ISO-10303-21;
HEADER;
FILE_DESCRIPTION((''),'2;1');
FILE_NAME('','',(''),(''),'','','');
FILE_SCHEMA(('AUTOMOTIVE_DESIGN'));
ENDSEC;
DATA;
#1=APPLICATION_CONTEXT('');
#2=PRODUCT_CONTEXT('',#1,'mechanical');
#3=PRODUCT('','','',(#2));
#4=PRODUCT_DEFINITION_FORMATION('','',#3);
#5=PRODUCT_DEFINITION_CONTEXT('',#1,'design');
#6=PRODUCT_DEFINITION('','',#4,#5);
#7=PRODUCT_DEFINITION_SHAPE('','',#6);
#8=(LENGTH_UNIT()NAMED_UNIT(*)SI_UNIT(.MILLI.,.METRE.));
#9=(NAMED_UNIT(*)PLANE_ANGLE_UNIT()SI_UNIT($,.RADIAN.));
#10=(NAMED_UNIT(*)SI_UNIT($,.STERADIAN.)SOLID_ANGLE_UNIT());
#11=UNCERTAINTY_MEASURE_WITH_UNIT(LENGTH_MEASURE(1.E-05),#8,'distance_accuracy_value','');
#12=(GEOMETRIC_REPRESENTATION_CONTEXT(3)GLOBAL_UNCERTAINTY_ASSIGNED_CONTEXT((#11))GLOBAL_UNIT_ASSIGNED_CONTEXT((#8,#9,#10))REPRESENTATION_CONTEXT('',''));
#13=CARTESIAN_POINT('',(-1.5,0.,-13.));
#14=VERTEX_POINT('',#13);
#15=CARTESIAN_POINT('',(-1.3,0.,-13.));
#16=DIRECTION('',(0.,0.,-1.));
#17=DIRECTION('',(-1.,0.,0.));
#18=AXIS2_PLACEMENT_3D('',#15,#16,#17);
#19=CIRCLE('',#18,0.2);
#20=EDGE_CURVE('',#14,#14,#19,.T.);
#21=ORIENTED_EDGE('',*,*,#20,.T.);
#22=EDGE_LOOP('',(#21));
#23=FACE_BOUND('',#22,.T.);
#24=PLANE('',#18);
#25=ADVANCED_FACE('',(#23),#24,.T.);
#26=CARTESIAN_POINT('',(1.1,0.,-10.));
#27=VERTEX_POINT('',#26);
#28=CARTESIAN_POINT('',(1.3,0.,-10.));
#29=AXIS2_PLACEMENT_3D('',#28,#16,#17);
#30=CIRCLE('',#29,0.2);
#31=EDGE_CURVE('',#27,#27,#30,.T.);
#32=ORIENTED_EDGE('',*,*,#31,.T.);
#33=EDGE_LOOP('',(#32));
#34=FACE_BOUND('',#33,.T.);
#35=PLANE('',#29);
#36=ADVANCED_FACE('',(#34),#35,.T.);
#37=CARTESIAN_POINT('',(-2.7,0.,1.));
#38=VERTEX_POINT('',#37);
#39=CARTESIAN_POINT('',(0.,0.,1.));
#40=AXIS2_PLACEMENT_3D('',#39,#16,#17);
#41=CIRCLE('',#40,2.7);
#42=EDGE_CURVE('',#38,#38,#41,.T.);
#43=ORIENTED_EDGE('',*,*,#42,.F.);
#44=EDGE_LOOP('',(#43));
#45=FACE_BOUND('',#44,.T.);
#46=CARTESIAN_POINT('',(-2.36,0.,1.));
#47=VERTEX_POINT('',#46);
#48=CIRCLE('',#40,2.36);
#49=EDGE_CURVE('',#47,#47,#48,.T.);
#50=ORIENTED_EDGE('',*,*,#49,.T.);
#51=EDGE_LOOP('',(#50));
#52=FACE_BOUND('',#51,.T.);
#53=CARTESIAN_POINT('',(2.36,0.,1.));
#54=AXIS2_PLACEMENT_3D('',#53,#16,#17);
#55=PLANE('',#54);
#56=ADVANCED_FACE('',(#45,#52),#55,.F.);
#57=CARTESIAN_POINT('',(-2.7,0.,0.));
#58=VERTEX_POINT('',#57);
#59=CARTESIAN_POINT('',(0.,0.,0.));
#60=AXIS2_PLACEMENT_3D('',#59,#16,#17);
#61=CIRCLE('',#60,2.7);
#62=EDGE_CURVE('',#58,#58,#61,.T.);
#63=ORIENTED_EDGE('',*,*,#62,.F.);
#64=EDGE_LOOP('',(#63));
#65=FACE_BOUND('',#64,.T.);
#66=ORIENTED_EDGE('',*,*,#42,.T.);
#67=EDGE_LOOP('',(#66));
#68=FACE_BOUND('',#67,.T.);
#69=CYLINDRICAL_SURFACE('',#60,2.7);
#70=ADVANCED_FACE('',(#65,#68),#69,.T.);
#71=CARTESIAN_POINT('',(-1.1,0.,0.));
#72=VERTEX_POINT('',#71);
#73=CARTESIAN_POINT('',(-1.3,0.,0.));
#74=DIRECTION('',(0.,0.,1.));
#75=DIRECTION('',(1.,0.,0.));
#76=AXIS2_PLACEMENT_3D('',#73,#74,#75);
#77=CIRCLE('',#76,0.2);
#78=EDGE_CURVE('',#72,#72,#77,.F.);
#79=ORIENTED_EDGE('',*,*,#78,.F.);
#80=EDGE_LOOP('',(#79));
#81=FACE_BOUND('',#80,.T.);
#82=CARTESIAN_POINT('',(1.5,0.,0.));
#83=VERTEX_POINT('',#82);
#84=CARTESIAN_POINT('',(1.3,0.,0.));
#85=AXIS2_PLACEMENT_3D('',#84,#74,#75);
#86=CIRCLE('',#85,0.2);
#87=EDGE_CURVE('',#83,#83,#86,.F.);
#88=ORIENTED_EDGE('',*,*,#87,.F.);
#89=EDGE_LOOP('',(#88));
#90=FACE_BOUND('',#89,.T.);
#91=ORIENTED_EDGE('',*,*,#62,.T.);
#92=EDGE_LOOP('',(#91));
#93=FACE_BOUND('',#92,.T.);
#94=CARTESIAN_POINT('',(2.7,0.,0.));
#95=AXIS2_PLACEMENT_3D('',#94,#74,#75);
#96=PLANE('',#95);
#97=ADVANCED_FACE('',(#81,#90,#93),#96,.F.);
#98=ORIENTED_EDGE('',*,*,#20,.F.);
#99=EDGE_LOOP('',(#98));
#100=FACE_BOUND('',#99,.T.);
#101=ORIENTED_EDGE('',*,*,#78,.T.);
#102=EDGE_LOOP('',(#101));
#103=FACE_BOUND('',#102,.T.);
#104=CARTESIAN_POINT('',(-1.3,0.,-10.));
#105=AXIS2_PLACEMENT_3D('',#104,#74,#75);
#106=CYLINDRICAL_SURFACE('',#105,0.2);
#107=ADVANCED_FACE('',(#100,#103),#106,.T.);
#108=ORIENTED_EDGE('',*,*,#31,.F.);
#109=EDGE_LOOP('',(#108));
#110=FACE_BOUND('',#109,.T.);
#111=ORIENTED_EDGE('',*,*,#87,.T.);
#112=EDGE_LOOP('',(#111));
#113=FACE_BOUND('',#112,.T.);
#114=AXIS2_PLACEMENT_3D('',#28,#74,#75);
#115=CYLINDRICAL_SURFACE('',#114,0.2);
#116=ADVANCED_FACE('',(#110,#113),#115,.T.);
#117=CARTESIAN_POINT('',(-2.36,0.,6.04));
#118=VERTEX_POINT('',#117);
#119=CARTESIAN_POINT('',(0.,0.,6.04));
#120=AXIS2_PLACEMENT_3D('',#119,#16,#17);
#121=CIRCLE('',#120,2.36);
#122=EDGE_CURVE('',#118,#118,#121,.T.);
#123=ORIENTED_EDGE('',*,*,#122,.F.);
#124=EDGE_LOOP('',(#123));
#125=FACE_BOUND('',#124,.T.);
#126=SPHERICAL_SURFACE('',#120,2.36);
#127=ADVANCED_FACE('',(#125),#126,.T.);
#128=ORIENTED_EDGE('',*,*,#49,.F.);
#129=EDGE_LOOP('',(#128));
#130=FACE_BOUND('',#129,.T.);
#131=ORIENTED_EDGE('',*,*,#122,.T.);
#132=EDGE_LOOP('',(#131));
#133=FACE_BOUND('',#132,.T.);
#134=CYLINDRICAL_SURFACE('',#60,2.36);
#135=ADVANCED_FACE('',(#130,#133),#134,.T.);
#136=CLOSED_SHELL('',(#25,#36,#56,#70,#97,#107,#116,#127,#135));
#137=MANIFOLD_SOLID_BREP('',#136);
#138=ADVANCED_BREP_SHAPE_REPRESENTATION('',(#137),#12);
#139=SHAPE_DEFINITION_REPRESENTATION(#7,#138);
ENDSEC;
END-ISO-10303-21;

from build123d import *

# Parameters (mm, degrees)
SKETCH_3_R      = 0.2
EXTRUDE_1_DEPTH = 10
SKETCH_4_R      = 0.2
EXTRUDE_2_DEPTH = 3


with BuildPart() as part:
    # 草图2 → 旋转1 (revolve)
    with BuildSketch(Plane(origin=(0, 0, 0), x_dir=(1, 0, 0), z_dir=(0, 1, 0))):
        with BuildLine():
            Line((2.36, -6.04), (2.36, -1))
            Line((2.36, -1), (2.7, -1))
            Line((2.7, -1), (2.7, 0))
            Line((2.7, 0), (0, 0))
            Line((0, 0), (0, -8.4))
            ThreePointArc((0, -8.4), (1.668772004, -7.708772004), (2.36, -6.04))
        make_face()
    revolve(axis=Axis((0, 0, 0), (0, 0, 1)))

    # 草图3 → 凸台-拉伸1 (add)
    with BuildSketch(Plane(origin=(0, 0, 0), x_dir=(-1, 0, 0), z_dir=(0, 0, -1))):
        with Locations((1.3, 0)):
            Circle(SKETCH_3_R)
        with Locations((-1.3, 0)):
            Circle(SKETCH_3_R)
    extrude(amount=EXTRUDE_1_DEPTH)

    # 草图4 → 凸台-拉伸2 (add)
    with BuildSketch(Plane(origin=(0, 0, -10), x_dir=(-1, 0, 0), z_dir=(0, 0, -1))):
        with Locations((1.3, 0)):
            Circle(SKETCH_4_R)
    extrude(amount=EXTRUDE_2_DEPTH)


solid = part.part
